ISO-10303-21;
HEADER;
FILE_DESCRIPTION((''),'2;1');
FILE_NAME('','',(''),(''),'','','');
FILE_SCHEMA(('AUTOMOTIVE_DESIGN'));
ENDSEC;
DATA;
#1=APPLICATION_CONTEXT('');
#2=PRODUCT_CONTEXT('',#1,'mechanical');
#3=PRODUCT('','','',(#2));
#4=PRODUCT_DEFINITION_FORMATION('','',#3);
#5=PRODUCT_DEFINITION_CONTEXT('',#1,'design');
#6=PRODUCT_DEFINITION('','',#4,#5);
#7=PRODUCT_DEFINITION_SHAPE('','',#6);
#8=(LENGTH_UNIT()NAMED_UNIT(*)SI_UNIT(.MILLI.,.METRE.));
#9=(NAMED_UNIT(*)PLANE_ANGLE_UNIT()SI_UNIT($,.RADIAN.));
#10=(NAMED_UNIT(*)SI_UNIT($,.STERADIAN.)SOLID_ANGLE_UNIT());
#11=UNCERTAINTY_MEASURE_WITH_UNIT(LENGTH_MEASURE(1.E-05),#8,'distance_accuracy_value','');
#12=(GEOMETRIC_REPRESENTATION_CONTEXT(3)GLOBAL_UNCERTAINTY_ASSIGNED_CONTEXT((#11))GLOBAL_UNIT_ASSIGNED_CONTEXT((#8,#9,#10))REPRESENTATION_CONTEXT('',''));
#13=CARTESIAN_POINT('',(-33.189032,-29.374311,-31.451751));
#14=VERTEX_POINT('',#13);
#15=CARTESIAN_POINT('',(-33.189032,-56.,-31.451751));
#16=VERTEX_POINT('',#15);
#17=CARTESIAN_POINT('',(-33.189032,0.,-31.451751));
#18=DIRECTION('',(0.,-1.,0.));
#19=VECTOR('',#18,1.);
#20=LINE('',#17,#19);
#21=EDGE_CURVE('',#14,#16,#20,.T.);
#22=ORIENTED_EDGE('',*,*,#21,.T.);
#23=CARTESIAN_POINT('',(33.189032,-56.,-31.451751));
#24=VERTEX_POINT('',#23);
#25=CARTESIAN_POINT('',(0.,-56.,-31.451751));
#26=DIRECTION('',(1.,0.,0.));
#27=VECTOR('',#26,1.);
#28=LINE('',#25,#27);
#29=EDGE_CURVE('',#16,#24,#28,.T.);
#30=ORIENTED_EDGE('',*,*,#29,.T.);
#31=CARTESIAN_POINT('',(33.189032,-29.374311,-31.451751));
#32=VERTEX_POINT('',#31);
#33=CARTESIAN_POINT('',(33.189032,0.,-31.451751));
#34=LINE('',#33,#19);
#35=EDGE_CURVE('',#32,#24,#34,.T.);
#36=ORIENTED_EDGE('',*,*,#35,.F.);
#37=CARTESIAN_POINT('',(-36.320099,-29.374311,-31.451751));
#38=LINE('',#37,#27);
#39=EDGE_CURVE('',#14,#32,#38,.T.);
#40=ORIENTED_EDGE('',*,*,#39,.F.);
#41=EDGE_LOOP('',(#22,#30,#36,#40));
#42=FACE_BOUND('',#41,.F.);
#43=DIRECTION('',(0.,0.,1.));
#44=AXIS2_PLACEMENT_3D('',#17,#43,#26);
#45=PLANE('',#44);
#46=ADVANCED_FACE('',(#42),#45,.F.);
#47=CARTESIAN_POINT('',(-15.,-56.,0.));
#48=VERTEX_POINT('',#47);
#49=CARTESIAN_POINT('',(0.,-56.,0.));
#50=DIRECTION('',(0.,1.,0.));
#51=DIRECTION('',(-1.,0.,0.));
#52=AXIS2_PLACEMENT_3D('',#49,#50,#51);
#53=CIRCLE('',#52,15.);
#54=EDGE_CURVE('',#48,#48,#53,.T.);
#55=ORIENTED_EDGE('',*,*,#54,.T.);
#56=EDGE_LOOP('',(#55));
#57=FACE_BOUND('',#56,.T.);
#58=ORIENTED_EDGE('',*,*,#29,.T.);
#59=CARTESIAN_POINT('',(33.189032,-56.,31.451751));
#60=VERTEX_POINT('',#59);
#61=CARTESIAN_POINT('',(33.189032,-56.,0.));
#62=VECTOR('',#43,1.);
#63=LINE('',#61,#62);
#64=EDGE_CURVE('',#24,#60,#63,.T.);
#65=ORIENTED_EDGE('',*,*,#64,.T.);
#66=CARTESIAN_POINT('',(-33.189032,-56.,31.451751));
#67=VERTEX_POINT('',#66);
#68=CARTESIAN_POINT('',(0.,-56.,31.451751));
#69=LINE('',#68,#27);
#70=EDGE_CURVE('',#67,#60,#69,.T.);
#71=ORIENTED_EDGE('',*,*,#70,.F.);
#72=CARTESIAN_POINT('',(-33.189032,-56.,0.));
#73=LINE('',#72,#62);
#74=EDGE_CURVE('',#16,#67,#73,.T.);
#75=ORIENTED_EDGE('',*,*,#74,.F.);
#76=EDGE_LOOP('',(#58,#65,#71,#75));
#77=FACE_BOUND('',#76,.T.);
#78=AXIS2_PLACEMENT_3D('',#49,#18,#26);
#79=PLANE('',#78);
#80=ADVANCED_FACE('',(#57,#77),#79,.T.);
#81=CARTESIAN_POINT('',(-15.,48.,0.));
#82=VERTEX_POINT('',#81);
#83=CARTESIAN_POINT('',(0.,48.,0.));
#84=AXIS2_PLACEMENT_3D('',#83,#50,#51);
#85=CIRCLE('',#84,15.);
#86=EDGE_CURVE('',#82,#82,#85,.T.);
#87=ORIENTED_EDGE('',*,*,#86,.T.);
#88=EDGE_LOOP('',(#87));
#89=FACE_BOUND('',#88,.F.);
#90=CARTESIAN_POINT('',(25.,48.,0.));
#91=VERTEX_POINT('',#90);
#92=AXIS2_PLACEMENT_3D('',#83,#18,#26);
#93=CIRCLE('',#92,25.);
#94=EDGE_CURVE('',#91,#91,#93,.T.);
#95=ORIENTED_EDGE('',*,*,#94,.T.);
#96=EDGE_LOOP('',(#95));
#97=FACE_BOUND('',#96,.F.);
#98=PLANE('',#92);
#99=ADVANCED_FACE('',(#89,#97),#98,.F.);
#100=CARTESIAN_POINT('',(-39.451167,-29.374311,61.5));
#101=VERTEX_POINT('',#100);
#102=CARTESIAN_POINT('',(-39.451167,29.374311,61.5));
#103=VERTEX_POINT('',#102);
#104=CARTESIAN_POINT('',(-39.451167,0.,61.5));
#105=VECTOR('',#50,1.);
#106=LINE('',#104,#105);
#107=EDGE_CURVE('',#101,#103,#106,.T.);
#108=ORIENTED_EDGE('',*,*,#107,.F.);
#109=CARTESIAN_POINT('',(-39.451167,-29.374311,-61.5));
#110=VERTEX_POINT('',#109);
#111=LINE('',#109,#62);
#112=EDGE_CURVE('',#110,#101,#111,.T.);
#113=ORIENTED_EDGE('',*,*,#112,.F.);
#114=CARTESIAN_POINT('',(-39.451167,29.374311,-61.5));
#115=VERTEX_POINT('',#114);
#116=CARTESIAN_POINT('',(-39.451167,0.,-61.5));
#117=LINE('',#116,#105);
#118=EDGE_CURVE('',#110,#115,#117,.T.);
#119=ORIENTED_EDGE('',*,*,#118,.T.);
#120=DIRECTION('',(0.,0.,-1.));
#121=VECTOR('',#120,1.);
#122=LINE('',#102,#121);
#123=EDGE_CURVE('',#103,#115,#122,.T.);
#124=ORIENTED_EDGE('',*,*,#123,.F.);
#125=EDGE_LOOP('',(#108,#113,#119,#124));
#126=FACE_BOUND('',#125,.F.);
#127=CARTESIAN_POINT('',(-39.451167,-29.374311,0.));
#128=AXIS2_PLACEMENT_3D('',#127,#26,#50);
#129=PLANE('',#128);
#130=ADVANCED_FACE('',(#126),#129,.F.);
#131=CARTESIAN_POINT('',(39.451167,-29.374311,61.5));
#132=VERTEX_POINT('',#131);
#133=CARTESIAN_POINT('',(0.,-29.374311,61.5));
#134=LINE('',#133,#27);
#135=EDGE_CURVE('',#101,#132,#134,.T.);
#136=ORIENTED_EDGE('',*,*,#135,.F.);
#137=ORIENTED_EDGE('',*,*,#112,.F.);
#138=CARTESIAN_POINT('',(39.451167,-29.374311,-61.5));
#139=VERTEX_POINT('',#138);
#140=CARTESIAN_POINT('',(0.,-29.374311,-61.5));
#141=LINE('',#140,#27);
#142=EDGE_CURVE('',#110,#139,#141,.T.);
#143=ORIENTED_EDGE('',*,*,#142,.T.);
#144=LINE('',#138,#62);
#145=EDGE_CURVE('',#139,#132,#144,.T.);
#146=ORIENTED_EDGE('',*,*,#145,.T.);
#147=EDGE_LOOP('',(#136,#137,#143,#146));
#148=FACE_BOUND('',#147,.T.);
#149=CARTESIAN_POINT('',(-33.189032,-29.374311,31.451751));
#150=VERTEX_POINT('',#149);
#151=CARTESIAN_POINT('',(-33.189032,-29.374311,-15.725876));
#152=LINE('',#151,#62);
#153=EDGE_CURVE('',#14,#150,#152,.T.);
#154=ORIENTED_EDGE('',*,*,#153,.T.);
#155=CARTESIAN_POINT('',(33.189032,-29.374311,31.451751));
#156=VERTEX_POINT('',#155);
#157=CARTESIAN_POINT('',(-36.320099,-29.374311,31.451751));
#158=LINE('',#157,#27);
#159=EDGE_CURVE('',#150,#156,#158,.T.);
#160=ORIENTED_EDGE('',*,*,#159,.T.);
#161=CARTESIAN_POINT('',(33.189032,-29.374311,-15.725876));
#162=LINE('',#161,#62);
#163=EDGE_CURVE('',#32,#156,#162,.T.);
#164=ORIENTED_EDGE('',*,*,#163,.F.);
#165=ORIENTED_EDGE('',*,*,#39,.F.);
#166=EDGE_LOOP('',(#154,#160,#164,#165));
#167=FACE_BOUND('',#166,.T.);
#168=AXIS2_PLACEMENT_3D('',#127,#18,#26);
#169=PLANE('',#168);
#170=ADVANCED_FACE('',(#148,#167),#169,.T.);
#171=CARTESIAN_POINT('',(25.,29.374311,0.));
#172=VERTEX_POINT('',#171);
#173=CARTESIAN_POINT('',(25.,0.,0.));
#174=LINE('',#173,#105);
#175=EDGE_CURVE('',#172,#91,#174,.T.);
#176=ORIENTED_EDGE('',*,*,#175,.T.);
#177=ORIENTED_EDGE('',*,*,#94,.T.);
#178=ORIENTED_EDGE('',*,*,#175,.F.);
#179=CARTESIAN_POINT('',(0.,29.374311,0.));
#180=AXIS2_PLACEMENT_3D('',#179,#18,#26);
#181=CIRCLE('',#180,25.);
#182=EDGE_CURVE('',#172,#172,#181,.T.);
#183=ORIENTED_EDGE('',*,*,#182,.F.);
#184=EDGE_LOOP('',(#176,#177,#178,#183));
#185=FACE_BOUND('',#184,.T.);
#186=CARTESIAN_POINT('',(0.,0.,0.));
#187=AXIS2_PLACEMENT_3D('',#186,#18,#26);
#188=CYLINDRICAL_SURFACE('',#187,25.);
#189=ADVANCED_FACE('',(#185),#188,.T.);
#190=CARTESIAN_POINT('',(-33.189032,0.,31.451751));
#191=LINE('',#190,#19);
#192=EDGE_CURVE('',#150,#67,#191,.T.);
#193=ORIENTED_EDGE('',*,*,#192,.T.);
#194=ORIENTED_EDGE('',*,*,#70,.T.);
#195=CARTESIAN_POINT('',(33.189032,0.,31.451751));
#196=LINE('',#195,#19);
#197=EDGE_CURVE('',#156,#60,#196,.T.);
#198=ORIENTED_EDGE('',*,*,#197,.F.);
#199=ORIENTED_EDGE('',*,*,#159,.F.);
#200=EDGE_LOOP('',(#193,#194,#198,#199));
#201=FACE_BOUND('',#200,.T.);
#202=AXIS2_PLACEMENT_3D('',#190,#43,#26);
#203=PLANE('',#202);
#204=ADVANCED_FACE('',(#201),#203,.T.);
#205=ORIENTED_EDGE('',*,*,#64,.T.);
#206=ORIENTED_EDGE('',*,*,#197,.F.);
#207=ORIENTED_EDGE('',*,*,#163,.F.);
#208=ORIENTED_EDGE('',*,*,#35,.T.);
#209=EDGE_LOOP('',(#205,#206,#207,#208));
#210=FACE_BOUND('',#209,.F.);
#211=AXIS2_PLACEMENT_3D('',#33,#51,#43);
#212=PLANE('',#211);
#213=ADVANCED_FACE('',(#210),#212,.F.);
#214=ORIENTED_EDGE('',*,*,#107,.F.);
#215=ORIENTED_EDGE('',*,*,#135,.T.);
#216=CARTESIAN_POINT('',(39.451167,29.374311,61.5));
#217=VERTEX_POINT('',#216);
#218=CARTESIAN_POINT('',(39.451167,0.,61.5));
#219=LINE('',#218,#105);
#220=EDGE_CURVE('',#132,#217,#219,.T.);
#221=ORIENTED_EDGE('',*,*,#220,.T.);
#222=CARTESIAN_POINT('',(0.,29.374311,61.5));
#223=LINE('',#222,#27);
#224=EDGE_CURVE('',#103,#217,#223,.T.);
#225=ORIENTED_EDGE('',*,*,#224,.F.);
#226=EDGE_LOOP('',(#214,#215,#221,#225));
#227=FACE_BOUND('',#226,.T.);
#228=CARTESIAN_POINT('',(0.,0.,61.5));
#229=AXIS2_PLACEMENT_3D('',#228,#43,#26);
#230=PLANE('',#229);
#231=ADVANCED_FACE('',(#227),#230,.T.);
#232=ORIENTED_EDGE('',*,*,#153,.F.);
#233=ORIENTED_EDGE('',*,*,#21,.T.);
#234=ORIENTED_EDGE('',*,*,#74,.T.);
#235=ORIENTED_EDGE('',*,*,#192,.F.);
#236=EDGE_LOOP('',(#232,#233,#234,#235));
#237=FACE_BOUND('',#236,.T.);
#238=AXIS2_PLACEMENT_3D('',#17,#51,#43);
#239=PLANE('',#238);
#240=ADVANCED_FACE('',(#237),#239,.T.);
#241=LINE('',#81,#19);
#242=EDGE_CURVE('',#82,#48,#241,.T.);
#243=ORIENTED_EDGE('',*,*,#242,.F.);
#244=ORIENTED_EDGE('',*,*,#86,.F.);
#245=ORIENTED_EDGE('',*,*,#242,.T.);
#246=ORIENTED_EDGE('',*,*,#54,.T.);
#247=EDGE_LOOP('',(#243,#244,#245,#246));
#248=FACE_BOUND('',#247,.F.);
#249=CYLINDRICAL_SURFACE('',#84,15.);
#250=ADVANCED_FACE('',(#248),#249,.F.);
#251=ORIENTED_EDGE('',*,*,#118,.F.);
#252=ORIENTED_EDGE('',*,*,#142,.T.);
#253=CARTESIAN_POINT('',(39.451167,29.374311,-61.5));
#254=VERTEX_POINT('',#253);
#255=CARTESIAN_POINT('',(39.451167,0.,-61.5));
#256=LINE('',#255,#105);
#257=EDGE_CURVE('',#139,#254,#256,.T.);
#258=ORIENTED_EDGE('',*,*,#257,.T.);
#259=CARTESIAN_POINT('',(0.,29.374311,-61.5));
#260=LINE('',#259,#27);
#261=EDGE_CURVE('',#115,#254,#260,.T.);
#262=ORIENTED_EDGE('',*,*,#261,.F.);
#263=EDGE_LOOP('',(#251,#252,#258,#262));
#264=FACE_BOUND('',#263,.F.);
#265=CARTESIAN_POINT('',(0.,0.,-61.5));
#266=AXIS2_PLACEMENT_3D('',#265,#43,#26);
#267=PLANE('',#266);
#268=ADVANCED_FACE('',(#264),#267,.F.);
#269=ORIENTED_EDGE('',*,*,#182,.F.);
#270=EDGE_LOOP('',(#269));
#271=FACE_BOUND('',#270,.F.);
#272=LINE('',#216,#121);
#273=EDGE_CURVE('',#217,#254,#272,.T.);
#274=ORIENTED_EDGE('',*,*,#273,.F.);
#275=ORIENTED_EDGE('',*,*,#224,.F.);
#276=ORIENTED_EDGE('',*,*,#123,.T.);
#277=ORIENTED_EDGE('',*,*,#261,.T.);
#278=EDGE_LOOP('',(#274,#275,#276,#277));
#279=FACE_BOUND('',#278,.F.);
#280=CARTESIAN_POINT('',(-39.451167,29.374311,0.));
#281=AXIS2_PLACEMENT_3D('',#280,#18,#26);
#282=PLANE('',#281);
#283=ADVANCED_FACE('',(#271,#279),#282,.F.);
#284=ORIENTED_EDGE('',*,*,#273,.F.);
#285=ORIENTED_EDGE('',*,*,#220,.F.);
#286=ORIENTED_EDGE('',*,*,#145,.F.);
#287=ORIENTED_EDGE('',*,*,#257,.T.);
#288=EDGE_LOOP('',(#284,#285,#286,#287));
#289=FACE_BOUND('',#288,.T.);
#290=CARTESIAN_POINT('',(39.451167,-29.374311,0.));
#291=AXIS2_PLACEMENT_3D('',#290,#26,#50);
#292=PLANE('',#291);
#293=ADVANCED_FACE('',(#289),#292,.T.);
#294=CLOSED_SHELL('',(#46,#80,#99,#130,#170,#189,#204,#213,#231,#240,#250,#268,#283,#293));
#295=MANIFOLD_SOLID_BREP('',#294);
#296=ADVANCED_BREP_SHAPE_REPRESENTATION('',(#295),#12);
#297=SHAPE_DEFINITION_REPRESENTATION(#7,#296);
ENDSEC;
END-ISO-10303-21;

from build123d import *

# Parameters (mm, degrees)
F0_R     = 25
F1_DEPTH = 48
F2_W     = 66.378064
F2_H     = 62.903502
F3_DEPTH = 56
F4_W     = 78.902334
F4_H     = 58.748622
F5_DEPTH = 61.5
F6_R     = 15
F7_DEPTH = 105.3


with BuildPart() as f1:
    # F0 (on Front) → F1 (new body)
    with BuildSketch(Plane.XZ):
        Circle(F0_R)
    extrude(amount=-F1_DEPTH)

    # F2 (on Front) → F3 (join)
    with BuildSketch(Plane.XZ):
        Rectangle(F2_W, F2_H)
    extrude(amount=F3_DEPTH)

    # F4 (on Top) → F5 (join, symmetric)
    with BuildSketch(Plane.XY):
        Rectangle(F4_W, F4_H)
    extrude(amount=F5_DEPTH, both=True)

    # F6 (on face) → F7 (cut)
    with BuildSketch(Plane(origin=(0, 48, 0), x_dir=(-1, 0, 0), z_dir=(0, 1, 0))):
        Circle(F6_R)
    extrude(amount=-F7_DEPTH, mode=Mode.SUBTRACT)


solid = f1.part
